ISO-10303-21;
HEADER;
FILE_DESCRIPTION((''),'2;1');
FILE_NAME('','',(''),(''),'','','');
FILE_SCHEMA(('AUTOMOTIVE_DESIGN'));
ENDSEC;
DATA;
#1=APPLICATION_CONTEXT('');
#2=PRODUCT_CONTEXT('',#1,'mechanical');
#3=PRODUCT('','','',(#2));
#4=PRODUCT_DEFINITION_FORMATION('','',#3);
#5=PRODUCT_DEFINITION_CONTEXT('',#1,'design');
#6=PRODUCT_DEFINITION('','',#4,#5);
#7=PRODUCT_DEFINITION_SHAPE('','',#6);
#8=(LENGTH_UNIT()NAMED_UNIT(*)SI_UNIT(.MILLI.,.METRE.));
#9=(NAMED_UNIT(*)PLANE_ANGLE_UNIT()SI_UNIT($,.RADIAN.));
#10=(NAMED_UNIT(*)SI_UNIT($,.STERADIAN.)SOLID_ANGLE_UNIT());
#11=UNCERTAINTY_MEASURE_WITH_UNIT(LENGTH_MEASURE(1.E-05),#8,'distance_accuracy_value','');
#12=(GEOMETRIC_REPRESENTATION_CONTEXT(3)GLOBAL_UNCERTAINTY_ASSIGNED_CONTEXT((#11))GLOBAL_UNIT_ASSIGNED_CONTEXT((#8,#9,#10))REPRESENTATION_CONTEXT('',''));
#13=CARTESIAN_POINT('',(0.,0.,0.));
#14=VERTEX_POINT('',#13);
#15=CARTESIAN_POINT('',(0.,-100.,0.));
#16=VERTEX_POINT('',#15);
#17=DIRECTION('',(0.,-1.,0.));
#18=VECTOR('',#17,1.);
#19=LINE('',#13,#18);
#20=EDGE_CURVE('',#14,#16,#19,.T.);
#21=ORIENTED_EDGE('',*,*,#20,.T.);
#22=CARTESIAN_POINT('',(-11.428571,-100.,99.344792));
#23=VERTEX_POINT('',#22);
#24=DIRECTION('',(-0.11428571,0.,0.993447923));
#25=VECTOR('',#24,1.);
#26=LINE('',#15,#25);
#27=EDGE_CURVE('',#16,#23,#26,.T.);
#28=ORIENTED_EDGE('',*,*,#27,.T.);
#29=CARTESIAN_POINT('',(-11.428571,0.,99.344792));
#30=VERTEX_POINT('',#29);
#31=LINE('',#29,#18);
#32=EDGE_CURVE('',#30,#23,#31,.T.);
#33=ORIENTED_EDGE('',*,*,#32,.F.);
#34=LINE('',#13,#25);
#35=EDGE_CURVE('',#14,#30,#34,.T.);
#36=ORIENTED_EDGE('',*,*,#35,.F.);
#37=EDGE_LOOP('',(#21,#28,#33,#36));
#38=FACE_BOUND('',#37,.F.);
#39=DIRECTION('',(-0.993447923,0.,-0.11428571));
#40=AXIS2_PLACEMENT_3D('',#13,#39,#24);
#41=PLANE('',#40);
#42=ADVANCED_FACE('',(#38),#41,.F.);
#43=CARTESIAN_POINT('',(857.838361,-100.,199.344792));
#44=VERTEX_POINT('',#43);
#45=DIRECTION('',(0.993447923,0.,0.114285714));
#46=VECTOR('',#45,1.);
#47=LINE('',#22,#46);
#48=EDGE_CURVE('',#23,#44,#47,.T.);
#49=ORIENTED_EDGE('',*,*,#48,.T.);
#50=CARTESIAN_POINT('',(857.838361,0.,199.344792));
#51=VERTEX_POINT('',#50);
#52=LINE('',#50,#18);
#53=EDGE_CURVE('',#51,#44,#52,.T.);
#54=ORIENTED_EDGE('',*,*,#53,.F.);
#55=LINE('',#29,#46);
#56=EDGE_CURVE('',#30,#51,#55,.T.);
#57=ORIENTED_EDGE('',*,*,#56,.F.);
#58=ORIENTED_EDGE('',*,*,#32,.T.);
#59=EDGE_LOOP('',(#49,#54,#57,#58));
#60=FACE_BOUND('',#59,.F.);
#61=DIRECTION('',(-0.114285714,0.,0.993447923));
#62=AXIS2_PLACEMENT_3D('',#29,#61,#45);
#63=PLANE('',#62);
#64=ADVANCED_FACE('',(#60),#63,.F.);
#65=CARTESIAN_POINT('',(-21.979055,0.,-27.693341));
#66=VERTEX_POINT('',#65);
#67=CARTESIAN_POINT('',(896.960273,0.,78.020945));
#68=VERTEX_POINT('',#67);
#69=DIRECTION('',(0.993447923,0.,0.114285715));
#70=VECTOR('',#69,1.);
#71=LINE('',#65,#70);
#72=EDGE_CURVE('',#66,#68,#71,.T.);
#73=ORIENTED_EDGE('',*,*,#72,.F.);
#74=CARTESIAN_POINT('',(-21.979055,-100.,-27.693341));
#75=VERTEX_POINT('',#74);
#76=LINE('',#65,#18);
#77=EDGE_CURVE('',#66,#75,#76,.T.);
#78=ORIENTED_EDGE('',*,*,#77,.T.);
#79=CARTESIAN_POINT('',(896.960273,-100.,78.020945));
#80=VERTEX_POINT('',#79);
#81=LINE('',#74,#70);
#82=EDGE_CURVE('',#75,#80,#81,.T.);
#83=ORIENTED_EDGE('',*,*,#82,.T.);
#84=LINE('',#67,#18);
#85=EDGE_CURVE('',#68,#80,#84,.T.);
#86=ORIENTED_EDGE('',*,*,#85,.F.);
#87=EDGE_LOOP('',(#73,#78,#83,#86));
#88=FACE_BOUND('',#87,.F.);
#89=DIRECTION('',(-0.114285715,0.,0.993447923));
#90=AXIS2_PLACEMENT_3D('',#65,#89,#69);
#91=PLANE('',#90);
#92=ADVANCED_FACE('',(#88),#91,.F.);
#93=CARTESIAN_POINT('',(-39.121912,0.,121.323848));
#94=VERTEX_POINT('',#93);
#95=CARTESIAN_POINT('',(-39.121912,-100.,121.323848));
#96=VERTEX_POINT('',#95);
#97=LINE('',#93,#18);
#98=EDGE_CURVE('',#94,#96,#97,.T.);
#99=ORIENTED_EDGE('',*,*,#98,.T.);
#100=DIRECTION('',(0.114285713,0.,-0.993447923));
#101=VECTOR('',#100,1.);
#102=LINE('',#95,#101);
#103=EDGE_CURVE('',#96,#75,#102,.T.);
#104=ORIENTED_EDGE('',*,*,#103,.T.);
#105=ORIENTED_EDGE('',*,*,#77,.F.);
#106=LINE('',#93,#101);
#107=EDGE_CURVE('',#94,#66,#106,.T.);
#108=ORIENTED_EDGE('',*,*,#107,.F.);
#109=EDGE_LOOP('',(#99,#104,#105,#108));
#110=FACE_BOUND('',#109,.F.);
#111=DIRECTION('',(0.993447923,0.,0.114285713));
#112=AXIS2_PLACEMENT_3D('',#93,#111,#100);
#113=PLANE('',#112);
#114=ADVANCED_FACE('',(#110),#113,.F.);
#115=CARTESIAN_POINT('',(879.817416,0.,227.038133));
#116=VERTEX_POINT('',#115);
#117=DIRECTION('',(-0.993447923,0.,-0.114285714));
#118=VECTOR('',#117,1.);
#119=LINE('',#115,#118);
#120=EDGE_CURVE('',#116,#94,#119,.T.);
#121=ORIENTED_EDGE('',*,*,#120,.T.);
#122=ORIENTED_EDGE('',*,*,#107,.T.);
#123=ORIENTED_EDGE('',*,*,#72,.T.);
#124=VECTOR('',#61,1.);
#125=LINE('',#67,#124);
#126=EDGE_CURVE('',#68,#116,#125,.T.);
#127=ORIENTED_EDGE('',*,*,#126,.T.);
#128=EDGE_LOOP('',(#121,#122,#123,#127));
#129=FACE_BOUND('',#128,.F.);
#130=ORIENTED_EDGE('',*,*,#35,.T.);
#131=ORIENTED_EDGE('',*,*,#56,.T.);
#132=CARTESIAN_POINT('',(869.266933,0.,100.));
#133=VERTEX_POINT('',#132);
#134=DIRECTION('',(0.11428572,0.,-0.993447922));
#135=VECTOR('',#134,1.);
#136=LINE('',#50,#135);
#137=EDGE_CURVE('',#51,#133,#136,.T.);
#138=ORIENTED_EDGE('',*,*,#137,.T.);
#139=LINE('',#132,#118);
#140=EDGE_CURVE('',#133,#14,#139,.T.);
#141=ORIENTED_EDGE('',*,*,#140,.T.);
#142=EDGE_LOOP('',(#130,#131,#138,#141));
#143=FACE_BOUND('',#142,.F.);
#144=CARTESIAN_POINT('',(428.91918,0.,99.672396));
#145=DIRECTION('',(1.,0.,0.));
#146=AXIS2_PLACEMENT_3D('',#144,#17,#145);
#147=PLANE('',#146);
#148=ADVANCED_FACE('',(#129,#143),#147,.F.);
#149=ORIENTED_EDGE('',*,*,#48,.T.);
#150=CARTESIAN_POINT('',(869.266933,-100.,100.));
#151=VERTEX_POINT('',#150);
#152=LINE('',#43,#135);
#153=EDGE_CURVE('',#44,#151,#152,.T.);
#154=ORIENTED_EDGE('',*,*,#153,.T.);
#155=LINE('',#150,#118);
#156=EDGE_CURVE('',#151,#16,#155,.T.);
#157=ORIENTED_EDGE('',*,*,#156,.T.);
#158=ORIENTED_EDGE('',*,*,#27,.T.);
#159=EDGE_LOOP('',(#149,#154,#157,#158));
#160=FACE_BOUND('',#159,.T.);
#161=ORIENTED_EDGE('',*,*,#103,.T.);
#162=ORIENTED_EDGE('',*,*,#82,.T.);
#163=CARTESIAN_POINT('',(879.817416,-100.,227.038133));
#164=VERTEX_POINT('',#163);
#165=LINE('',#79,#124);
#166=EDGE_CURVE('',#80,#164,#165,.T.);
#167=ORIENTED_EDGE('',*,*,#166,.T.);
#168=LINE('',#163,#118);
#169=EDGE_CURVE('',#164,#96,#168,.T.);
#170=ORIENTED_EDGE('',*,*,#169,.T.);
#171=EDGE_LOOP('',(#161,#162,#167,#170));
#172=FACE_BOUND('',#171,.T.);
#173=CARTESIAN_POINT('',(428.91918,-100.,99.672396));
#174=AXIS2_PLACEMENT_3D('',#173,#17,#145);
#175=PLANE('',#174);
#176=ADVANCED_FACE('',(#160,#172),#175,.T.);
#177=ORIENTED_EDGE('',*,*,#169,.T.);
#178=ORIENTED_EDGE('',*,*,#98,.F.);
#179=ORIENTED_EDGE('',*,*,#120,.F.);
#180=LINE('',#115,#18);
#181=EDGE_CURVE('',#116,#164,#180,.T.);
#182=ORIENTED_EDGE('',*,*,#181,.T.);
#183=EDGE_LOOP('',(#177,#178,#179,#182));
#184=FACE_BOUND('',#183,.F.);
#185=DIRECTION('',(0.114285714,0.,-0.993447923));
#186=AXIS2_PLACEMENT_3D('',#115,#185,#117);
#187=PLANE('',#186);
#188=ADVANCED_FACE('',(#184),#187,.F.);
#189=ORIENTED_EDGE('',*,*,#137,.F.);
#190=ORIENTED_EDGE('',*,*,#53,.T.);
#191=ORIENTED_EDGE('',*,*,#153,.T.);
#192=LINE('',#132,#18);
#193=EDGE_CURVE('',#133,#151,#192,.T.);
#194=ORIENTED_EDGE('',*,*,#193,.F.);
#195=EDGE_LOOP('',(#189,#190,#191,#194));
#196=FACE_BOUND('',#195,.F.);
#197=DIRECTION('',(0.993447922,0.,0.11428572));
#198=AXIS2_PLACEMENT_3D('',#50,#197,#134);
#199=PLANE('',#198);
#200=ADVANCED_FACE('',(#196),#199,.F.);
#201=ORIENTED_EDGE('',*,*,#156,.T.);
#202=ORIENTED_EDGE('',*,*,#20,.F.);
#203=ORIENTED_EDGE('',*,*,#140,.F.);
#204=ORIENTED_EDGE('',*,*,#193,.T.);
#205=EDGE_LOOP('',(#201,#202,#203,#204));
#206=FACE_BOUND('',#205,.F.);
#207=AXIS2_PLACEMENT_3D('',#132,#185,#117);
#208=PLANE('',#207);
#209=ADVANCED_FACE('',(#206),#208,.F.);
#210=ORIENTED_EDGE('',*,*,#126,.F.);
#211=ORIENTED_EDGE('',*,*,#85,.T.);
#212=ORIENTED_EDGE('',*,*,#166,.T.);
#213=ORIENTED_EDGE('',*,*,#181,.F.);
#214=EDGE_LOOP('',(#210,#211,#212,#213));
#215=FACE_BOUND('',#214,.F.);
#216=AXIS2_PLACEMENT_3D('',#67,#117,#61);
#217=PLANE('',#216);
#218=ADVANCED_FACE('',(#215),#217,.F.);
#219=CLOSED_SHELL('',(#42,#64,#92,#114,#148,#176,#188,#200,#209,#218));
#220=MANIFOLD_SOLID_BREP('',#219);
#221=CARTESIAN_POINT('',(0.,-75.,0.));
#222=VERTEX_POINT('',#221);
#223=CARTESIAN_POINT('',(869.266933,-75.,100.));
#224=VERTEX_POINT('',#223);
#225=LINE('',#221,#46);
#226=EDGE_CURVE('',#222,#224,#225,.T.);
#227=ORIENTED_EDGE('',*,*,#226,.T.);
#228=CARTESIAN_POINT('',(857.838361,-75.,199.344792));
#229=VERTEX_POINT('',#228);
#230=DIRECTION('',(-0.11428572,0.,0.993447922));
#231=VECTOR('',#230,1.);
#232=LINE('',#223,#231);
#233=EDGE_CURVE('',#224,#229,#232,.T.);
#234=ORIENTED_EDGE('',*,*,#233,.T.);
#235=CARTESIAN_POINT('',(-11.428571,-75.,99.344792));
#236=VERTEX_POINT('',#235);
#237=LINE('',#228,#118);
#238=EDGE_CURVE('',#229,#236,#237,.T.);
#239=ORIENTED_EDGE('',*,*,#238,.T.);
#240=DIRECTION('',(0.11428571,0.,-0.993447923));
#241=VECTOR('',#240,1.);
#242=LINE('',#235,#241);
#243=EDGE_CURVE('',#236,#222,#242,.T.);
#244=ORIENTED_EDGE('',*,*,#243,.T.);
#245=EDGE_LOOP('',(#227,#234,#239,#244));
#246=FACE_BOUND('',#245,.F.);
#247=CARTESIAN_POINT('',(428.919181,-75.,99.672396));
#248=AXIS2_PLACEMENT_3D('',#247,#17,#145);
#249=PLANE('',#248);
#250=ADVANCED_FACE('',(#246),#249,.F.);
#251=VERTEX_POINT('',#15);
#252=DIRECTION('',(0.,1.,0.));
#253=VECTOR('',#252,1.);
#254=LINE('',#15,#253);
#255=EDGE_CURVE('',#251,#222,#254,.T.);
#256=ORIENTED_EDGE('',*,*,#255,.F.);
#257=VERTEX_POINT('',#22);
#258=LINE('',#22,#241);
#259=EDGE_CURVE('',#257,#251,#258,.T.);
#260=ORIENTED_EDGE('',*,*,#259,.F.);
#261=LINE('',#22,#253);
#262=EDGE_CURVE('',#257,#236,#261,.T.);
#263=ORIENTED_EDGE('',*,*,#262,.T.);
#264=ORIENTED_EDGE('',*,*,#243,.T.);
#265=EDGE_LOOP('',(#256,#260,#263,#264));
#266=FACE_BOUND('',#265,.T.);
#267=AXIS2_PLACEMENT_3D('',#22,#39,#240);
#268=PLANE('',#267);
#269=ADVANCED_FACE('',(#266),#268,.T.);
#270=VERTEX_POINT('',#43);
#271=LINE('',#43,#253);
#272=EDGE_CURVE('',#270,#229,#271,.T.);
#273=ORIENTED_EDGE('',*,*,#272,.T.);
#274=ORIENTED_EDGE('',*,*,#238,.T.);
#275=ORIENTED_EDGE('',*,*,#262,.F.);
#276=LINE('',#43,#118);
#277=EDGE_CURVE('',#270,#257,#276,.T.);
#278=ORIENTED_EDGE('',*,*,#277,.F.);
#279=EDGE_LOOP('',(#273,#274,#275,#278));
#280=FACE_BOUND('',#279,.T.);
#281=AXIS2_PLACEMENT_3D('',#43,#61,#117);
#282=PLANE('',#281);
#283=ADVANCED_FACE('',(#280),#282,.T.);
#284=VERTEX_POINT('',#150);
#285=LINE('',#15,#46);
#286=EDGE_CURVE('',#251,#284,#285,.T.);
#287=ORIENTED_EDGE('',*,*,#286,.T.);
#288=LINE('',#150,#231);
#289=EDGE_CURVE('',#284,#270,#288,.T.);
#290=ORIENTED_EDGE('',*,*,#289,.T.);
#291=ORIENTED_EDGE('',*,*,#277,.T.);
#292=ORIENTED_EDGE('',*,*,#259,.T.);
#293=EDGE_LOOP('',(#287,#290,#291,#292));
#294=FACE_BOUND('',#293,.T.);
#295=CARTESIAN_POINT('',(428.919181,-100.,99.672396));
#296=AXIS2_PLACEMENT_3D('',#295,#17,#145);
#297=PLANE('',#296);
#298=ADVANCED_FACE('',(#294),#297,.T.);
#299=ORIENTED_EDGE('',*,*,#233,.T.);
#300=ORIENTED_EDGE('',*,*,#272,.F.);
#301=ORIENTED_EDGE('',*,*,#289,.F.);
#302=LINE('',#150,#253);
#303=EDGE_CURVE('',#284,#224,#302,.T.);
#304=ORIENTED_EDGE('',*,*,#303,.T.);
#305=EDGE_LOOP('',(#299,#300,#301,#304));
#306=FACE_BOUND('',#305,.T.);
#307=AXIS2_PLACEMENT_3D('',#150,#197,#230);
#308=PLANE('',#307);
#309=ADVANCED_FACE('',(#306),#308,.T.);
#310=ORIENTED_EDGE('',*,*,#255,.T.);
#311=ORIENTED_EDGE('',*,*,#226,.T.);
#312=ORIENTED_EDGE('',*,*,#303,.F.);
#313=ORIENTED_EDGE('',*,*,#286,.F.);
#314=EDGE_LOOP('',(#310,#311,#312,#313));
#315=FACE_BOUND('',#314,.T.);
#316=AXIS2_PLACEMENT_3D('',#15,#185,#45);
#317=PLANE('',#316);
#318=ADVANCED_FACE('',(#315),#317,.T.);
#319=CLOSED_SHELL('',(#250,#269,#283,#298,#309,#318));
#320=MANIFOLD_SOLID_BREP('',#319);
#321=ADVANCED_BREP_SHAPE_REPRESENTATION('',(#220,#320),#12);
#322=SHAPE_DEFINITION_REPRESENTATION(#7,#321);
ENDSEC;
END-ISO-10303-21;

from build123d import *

# Parameters (mm, degrees)
F1_DEPTH = 100
F3_DEPTH = 25


with BuildPart() as f1:
    # F0 (on Front) → F1 (new body)
    with BuildSketch(Plane.XZ):
        Polygon((879.817416, 227.038133), (-39.121912, 121.323848), (-21.979055, -27.693341), (896.960273, 78.020945), align=None)
        Polygon((869.266933, 100), (0, 0), (-11.428571, 99.344792), (857.838361, 199.344792), align=None, mode=Mode.SUBTRACT)
    extrude(amount=F1_DEPTH)


with BuildPart() as f3:
    # F2 (on face) → F3 (new body)
    with BuildSketch(Plane.XZ.offset(100)):
        Polygon((857.838361, 199.344792), (-11.428571, 99.344792), (0, 0), (869.266933, 100), align=None)
    extrude(amount=-F3_DEPTH)


solid = Compound([f1.part, f3.part])
